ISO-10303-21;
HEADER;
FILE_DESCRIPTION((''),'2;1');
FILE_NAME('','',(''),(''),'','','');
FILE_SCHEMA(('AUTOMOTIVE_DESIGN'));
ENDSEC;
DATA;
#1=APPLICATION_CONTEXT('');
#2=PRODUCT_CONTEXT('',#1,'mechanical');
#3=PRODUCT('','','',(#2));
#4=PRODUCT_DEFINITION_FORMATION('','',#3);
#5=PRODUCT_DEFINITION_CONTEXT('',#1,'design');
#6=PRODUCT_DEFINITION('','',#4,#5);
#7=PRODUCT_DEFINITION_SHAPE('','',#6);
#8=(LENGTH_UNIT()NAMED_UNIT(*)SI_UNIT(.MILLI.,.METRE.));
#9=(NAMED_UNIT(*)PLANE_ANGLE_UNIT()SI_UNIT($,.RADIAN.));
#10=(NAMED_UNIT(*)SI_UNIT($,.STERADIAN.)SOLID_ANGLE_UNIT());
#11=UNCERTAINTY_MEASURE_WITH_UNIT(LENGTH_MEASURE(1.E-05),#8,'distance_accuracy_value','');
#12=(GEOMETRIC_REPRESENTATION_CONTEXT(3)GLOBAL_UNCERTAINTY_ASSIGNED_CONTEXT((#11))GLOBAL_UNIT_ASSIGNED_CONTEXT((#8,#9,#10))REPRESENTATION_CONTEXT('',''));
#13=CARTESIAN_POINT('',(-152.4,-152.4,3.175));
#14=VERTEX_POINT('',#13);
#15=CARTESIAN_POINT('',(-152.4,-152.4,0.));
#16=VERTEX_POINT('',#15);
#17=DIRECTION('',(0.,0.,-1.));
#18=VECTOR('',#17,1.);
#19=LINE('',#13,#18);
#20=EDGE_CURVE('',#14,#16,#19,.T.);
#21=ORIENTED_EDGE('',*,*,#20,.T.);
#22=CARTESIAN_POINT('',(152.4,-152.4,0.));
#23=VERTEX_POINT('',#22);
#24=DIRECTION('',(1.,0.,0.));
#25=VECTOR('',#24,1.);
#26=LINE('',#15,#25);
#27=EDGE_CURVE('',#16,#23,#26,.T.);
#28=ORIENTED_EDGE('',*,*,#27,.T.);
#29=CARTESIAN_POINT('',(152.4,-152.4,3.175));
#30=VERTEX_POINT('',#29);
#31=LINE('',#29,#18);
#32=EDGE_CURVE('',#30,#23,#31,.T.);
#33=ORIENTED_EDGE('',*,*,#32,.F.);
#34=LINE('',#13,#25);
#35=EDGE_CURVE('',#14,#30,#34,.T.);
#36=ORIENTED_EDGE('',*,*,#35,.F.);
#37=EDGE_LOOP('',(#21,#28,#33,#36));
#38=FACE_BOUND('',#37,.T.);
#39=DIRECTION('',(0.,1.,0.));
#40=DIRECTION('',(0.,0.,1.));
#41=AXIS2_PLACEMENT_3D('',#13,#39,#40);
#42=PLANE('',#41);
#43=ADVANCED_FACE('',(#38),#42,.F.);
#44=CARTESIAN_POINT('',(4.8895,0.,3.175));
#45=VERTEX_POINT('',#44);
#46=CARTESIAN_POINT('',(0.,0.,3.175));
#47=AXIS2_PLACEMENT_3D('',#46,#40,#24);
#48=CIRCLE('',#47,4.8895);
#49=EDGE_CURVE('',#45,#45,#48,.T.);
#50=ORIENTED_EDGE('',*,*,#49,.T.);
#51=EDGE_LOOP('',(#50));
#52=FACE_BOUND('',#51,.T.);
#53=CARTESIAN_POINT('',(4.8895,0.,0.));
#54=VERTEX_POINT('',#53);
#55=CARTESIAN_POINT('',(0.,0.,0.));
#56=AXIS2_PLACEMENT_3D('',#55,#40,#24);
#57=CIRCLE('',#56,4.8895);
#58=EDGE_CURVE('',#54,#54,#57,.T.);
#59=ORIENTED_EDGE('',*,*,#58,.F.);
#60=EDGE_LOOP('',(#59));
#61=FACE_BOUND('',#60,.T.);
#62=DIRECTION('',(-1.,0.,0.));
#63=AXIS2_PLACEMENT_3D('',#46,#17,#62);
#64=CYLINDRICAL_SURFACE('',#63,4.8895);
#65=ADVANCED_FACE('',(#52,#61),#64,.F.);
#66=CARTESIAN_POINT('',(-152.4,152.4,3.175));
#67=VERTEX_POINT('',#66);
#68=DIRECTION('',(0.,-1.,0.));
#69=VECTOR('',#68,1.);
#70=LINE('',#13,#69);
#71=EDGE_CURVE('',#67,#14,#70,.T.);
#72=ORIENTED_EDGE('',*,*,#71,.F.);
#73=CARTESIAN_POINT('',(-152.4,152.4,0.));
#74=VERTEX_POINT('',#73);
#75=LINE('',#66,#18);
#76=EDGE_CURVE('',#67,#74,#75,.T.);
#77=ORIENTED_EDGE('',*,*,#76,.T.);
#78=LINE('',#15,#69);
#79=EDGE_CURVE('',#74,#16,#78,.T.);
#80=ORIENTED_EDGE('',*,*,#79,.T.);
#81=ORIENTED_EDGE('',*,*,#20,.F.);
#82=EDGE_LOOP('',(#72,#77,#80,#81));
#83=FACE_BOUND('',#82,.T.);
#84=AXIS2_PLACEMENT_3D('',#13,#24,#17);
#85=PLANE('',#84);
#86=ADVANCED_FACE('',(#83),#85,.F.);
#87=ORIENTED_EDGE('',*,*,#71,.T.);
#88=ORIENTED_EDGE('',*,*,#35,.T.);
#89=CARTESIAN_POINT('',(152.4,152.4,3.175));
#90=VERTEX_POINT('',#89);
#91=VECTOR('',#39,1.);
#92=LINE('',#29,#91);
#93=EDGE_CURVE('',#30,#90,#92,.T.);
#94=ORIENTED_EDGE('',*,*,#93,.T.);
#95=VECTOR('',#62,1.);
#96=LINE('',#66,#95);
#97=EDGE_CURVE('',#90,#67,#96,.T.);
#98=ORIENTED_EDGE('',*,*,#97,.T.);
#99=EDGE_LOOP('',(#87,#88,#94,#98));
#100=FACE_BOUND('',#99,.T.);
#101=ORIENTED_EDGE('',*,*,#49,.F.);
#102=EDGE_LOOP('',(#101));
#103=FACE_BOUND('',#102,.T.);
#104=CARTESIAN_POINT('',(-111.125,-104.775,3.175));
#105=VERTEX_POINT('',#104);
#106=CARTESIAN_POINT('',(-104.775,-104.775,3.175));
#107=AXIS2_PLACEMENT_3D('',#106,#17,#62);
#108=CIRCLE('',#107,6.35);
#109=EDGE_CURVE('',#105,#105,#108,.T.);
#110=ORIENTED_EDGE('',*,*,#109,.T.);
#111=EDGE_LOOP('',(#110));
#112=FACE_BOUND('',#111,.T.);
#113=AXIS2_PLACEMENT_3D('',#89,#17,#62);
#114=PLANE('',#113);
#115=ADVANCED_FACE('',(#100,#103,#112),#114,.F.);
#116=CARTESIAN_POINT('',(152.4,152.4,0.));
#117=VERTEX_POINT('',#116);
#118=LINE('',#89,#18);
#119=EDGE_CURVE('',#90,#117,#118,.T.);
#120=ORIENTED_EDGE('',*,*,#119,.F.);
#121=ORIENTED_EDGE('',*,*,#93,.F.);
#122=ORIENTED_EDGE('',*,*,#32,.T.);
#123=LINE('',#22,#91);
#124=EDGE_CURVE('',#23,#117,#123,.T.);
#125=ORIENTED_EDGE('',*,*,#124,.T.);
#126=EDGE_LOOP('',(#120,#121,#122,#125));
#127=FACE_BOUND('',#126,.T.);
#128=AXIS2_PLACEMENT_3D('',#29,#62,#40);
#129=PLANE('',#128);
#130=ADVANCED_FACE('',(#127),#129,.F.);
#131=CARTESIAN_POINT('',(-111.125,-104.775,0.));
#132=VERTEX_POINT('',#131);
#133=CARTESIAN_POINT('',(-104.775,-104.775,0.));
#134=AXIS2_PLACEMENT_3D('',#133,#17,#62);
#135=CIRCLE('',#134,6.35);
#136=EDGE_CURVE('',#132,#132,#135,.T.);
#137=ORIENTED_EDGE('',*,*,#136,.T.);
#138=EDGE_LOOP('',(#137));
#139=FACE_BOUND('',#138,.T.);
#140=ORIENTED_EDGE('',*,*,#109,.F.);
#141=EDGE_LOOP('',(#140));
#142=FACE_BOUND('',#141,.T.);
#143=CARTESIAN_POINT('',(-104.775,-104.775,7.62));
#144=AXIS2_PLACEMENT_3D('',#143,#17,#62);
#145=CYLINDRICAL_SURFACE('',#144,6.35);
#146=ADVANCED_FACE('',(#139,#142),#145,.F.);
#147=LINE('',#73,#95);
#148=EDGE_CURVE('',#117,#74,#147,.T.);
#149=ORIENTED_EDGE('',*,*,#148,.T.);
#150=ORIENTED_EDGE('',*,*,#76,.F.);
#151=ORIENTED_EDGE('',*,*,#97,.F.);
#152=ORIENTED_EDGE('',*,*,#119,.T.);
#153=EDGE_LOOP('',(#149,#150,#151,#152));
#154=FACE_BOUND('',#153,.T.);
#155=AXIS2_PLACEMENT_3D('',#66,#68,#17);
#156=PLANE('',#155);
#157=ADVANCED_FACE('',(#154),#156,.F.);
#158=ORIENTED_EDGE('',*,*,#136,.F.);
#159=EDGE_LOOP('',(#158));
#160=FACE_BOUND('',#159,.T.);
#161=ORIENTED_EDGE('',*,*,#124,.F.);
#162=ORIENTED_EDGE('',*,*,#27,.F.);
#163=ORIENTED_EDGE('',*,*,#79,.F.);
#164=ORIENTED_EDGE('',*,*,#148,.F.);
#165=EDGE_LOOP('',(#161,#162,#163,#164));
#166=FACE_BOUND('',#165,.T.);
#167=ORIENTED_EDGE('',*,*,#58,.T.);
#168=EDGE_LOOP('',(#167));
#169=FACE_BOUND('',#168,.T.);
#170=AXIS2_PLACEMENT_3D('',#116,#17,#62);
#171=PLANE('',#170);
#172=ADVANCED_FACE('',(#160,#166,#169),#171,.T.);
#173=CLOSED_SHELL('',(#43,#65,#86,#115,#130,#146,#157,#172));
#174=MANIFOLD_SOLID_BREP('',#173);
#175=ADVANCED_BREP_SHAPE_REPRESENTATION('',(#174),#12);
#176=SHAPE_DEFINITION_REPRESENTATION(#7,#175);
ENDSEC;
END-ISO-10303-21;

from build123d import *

# Parameters (mm, degrees)
SKETCH1_W           = 304.8
SKETCH1_H           = 304.8
SKETCH1_R           = 4.8895
BOSS_EXTRUDE1_DEPTH = 3.175
SKETCH2_R           = 6.35
CUT_EXTRUDE1_DEPTH  = 7.62


with BuildPart() as part:
    # Sketch1 → Boss-Extrude1 (new body)
    with BuildSketch(Plane.XY):
        Rectangle(SKETCH1_W, SKETCH1_H)
        Circle(SKETCH1_R, mode=Mode.SUBTRACT)
    extrude(amount=BOSS_EXTRUDE1_DEPTH)

    # Sketch2 → Cut-Extrude1 (cut)
    with BuildSketch(Plane(origin=(0, 0, 0), x_dir=(-1, 0, 0), z_dir=(0, 0, -1))):
        with Locations((104.775, -104.775)):
            Circle(SKETCH2_R)
    extrude(amount=-CUT_EXTRUDE1_DEPTH, mode=Mode.SUBTRACT)


solid = part.part
